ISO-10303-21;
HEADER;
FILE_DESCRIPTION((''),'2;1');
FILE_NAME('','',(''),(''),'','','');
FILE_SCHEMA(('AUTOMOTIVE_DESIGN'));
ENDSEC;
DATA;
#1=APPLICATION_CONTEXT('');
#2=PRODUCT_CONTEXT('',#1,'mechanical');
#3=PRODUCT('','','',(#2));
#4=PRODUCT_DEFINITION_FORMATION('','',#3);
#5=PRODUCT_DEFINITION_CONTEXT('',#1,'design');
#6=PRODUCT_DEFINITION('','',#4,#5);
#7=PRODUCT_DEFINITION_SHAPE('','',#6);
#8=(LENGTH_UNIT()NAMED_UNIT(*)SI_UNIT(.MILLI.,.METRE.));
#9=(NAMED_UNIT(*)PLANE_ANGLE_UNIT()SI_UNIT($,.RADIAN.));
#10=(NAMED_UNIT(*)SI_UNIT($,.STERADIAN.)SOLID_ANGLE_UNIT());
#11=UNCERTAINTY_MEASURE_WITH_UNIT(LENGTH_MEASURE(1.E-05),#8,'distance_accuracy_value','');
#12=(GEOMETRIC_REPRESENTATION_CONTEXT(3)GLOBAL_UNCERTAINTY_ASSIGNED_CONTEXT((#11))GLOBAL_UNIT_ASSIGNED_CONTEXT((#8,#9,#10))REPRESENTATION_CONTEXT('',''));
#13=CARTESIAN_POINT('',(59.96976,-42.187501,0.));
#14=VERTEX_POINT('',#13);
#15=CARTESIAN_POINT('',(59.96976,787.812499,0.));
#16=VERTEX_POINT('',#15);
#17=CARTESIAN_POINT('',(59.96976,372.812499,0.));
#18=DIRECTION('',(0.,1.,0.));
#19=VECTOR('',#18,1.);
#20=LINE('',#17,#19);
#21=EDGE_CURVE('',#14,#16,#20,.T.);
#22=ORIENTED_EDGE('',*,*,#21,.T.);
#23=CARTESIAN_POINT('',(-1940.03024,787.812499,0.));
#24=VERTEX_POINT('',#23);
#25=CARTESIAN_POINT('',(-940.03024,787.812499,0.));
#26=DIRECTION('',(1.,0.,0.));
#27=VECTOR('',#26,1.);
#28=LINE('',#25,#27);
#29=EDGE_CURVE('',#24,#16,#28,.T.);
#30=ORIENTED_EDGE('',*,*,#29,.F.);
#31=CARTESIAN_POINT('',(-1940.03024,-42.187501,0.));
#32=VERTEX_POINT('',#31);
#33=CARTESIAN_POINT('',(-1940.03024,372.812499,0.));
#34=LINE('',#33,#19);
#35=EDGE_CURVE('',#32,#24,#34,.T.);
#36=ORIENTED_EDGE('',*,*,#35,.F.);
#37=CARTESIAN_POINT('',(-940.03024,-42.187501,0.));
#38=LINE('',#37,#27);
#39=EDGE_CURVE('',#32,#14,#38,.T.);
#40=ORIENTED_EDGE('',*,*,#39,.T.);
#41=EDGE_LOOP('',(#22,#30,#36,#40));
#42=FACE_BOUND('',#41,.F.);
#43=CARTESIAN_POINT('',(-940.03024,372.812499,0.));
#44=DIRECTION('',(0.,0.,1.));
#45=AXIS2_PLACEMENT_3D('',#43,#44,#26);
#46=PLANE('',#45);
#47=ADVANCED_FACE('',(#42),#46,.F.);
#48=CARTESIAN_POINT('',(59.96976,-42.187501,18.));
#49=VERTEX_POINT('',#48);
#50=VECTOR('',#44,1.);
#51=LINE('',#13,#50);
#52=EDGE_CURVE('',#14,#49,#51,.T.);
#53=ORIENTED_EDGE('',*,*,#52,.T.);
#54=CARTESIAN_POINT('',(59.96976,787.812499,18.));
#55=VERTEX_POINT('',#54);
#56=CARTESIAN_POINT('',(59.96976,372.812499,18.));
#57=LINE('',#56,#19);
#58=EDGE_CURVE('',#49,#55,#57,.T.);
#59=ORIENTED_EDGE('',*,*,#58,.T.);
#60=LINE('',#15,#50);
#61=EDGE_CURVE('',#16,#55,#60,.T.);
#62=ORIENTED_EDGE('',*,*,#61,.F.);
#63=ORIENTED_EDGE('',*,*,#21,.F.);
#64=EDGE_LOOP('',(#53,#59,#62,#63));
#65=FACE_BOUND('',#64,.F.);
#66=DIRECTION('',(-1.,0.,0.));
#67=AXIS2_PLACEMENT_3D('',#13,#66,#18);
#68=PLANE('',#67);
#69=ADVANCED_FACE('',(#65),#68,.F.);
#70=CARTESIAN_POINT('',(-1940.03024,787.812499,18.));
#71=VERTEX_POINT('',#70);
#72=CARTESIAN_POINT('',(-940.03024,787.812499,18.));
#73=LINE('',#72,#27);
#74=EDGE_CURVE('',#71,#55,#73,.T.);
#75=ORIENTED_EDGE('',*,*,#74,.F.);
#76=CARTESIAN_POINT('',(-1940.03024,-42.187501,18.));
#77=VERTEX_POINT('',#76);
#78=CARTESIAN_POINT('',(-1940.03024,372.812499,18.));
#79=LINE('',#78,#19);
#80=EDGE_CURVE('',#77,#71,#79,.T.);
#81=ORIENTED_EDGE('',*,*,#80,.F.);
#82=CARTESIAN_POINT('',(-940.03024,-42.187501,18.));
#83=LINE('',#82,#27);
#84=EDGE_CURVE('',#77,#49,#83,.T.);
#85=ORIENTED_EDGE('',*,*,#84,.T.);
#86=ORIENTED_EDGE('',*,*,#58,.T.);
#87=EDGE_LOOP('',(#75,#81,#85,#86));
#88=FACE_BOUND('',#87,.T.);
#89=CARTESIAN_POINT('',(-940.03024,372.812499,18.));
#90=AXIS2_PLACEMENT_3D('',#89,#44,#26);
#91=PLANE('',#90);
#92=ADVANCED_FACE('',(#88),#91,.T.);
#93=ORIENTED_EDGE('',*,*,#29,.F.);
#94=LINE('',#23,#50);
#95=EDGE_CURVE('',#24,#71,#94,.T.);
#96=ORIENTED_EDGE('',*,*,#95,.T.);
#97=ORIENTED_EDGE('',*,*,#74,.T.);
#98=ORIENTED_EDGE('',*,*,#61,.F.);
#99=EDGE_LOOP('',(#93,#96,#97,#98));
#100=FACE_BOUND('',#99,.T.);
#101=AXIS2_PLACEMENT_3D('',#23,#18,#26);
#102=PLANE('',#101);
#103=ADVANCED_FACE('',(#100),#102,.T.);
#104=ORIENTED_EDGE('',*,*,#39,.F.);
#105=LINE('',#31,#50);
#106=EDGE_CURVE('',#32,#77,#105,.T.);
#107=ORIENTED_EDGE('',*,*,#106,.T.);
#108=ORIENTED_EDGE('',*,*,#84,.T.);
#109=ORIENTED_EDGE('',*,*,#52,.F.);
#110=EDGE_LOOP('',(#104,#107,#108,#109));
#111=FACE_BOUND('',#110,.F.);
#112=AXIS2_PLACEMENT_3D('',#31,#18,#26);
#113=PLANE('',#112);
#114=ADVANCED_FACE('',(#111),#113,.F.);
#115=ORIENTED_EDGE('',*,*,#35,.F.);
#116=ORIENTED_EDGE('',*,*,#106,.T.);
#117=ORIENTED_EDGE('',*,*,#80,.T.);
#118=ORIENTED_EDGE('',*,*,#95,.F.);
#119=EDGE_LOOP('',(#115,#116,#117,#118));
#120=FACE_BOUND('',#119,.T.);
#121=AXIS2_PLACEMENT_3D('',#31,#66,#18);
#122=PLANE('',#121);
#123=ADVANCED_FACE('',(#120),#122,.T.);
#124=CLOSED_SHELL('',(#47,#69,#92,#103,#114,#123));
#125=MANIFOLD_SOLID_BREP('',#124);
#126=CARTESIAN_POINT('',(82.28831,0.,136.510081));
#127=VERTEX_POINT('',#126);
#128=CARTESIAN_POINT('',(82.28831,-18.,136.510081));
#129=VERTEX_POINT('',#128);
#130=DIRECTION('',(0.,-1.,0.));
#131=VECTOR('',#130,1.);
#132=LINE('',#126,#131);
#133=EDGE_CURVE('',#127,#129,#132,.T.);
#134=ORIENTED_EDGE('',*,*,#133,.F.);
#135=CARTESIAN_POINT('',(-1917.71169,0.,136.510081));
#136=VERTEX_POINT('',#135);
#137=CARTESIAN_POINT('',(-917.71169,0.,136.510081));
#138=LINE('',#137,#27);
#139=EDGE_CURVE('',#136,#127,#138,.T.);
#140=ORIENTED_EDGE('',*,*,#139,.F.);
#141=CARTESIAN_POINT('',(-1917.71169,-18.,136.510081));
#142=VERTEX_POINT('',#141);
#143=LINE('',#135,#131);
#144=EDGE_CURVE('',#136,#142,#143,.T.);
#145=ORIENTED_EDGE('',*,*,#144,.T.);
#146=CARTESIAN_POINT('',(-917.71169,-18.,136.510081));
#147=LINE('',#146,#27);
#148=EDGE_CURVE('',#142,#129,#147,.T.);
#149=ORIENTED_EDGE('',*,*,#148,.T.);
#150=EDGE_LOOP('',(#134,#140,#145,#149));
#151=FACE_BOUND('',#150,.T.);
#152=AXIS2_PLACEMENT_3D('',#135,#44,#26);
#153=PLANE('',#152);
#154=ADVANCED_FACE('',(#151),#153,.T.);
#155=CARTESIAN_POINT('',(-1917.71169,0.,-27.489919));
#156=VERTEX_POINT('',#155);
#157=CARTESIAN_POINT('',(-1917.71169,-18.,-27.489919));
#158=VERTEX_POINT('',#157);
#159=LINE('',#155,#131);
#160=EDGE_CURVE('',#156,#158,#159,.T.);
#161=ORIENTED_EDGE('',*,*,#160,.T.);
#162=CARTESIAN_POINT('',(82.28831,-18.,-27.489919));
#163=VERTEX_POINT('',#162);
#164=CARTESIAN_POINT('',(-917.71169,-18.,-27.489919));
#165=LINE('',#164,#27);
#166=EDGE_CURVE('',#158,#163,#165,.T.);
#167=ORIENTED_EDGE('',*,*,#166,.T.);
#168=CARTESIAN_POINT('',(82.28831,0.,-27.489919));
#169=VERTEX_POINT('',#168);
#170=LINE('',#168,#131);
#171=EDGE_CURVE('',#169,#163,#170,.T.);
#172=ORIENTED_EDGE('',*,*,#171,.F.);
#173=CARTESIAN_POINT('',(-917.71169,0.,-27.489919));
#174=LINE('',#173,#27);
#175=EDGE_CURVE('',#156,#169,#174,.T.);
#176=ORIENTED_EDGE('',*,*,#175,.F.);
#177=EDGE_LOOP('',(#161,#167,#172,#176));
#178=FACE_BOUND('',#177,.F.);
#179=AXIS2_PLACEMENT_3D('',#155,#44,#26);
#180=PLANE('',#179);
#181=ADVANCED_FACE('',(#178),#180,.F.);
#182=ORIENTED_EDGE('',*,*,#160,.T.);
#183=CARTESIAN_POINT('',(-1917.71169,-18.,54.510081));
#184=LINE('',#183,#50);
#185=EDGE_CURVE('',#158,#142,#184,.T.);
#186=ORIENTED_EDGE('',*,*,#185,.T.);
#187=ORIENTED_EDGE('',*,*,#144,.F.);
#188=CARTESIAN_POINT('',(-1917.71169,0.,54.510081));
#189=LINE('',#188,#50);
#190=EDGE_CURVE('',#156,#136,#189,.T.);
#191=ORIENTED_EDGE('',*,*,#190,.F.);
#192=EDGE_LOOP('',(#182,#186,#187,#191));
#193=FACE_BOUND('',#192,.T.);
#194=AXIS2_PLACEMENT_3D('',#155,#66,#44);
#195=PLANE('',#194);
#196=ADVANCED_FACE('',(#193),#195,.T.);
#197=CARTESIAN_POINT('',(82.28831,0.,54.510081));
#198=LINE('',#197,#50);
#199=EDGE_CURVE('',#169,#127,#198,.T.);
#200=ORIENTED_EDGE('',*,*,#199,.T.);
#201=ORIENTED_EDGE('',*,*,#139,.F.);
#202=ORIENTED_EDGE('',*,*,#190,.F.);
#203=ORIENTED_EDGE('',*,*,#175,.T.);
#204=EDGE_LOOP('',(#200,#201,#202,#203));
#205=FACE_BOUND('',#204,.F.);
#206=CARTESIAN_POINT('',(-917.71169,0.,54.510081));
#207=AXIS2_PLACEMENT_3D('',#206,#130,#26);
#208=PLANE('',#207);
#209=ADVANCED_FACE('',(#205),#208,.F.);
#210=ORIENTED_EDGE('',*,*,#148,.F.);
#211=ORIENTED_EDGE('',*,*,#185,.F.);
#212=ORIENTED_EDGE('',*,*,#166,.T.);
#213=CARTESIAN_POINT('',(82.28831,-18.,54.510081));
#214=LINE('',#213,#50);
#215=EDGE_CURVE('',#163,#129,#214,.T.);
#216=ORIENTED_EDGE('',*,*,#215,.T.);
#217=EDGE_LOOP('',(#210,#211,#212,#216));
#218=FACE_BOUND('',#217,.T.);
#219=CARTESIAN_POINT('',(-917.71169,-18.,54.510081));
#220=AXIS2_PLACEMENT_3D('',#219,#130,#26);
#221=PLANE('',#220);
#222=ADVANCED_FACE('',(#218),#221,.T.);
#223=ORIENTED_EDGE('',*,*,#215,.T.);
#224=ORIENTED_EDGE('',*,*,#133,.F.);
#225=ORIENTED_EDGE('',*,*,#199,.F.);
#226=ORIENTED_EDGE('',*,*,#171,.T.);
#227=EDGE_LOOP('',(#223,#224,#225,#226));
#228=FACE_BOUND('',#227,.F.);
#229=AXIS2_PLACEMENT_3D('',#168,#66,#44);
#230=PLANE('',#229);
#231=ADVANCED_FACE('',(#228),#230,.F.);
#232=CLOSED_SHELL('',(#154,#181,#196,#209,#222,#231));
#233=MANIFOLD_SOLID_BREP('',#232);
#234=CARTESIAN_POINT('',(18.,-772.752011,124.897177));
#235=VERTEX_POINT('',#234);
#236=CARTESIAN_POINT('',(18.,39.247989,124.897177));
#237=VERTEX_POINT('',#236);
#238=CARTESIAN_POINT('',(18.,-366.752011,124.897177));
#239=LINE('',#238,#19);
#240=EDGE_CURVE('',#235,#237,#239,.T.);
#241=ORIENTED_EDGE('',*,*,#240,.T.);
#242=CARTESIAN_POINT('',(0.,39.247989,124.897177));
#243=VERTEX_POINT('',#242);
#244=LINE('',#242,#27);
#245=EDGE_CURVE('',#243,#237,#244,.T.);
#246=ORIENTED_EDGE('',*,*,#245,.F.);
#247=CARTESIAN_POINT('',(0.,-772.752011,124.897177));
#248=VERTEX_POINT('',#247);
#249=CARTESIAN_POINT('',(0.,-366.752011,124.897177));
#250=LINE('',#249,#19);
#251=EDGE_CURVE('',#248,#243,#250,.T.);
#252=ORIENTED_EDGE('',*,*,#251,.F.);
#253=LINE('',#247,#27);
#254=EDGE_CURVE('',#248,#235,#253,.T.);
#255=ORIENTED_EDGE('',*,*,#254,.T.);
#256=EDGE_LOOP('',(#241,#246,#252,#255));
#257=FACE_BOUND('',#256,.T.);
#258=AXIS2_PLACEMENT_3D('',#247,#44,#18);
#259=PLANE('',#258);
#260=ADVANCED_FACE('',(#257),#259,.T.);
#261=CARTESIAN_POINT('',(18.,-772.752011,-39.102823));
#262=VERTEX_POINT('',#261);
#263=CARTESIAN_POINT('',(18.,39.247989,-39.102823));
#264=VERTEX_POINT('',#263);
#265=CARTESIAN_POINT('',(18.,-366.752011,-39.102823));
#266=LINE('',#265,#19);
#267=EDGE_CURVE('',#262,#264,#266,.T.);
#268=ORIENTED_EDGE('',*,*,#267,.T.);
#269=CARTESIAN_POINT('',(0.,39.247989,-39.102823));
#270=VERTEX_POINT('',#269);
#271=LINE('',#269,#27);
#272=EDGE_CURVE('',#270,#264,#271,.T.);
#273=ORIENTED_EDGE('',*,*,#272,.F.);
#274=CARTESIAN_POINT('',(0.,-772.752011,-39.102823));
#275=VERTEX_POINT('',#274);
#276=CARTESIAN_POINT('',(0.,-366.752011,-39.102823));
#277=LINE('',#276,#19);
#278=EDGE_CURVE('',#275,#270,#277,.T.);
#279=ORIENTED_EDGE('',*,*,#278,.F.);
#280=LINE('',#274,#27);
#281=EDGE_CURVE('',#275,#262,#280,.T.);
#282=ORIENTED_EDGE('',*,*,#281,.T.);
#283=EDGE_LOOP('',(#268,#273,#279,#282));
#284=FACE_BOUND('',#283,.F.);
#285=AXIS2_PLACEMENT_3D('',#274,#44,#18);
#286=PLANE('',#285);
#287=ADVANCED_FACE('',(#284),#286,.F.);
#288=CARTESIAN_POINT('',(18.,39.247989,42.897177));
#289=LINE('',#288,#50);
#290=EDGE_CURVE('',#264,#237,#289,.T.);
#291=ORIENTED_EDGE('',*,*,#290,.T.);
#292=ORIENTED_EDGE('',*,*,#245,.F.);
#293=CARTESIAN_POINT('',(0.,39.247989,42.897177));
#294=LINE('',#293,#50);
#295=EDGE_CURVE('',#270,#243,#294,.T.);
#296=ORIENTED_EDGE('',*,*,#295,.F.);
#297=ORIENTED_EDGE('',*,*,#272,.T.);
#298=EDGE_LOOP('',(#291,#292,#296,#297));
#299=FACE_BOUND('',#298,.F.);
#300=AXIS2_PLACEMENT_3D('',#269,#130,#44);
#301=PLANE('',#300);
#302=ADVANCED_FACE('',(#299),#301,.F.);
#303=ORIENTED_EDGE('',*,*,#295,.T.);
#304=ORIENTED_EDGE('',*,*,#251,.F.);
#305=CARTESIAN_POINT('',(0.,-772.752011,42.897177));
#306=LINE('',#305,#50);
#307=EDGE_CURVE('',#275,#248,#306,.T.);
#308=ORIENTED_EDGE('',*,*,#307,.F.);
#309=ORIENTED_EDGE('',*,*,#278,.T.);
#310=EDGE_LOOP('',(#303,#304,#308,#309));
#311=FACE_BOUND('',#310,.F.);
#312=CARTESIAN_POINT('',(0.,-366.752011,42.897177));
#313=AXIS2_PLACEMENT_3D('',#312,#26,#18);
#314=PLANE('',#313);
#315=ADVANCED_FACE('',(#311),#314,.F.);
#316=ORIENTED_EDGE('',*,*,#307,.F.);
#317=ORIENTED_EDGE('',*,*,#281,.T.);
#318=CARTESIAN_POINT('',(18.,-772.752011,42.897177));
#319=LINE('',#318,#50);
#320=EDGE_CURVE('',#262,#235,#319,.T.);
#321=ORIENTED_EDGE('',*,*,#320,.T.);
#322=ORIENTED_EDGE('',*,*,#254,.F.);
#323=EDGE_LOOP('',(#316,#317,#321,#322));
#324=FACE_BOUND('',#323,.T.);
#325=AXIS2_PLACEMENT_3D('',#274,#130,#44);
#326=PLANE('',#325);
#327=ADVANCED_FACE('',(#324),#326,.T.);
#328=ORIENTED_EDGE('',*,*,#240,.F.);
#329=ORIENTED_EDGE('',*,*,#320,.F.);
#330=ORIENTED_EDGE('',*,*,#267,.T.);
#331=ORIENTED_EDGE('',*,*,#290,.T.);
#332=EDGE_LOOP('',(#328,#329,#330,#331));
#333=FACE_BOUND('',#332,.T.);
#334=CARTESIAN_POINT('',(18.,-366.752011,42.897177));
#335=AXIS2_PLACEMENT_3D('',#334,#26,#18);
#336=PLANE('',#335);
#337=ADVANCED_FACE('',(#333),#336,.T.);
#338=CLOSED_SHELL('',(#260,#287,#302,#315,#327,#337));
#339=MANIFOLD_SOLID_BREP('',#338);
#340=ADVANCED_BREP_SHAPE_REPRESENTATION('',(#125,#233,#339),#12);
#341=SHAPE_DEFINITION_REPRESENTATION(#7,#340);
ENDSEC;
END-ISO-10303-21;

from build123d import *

# Parameters (mm, degrees)
F0_W     = 2000
F0_H     = 830
F1_DEPTH = 18
F2_W     = 2000
F2_H     = 164
F3_DEPTH = 18
F4_W     = 812
F4_H     = 164
F5_DEPTH = 18


with BuildPart() as f1:
    # F0 (on Top) → F1 (new body)
    with BuildSketch(Plane.XY):
        with Locations((-940.03024, 372.812499)):
            Rectangle(F0_W, F0_H)
    extrude(amount=F1_DEPTH)


with BuildPart() as f3:
    # F2 (on Front) → F3 (new body)
    with BuildSketch(Plane.XZ):
        with Locations((-917.71169, 54.510081)):
            Rectangle(F2_W, F2_H)
    extrude(amount=F3_DEPTH)


with BuildPart() as f5:
    # F4 (on Right) → F5 (new body)
    with BuildSketch(Plane.YZ):
        with Locations((-366.752011, 42.897177)):
            Rectangle(F4_W, F4_H)
    extrude(amount=F5_DEPTH)


solid = Compound([f1.part, f3.part, f5.part])
